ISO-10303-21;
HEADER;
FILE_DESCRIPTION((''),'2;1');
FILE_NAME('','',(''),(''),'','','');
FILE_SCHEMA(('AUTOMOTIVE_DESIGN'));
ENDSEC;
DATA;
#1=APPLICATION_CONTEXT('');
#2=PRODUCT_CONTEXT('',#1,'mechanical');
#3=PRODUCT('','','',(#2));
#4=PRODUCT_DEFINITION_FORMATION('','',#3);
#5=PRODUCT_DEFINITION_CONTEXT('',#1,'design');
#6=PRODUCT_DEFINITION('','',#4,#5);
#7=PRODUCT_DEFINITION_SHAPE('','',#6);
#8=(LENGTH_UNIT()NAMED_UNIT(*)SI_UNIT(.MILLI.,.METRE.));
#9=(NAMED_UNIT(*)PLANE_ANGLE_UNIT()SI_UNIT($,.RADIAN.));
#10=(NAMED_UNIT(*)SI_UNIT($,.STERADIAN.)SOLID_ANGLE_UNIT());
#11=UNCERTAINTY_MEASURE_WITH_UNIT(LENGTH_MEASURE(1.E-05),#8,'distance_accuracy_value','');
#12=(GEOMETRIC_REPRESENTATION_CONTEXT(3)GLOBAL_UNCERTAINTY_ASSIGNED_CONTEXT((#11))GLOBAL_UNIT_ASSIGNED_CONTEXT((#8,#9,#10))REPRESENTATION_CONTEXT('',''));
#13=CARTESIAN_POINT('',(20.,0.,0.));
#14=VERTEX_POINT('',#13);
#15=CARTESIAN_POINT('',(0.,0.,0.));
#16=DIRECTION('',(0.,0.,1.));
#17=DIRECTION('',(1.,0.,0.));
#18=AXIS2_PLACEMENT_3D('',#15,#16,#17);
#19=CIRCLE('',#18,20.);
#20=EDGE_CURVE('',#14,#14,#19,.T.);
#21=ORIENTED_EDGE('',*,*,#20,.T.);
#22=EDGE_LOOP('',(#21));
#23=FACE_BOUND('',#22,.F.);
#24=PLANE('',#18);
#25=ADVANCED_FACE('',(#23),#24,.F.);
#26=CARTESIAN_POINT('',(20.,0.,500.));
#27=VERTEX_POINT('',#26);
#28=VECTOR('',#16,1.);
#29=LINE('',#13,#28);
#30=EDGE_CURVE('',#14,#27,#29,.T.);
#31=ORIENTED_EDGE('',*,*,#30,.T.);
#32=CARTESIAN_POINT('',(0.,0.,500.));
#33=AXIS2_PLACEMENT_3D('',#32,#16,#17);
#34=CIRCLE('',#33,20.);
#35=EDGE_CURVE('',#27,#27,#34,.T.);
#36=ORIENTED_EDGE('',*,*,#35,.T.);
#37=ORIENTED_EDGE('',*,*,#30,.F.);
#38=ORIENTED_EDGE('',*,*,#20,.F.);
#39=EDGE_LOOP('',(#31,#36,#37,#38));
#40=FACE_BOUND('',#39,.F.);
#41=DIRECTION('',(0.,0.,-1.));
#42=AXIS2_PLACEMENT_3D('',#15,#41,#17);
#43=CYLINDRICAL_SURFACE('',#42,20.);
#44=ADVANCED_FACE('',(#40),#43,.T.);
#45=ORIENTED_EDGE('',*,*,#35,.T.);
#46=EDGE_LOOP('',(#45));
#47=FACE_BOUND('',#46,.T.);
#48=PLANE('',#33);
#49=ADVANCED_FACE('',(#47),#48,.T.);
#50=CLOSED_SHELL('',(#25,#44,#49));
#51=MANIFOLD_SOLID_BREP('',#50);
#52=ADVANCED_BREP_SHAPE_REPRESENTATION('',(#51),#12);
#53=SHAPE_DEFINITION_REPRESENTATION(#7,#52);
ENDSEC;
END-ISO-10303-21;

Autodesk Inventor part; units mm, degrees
ref_plane "YZ Plane" through (0, 0, 0) normal (1, 0, 0) x (0, 1, 0)
ref_plane "XZ Plane" through (0, 0, 0) normal (0, 1, 0) x (-1, 0, 0)
ref_plane "XY Plane" through (0, 0, 0) normal (0, 0, 1) x (1, 0, 0)
sketch "Sketch1" plane through (0, 0, 0) normal (0, 0, 1) x (1, 0, 0)
  point P0 (0, 0)
sketch "Sketch5" plane through (0, 0, 0) normal (0, 0, 1) x (1, 0, 0)
  circle A0 centre (0, 0) radius 20
  dimension "d20" = 40
extrude "Extrusion3" add sketch "Sketch5" along normal blind 500
